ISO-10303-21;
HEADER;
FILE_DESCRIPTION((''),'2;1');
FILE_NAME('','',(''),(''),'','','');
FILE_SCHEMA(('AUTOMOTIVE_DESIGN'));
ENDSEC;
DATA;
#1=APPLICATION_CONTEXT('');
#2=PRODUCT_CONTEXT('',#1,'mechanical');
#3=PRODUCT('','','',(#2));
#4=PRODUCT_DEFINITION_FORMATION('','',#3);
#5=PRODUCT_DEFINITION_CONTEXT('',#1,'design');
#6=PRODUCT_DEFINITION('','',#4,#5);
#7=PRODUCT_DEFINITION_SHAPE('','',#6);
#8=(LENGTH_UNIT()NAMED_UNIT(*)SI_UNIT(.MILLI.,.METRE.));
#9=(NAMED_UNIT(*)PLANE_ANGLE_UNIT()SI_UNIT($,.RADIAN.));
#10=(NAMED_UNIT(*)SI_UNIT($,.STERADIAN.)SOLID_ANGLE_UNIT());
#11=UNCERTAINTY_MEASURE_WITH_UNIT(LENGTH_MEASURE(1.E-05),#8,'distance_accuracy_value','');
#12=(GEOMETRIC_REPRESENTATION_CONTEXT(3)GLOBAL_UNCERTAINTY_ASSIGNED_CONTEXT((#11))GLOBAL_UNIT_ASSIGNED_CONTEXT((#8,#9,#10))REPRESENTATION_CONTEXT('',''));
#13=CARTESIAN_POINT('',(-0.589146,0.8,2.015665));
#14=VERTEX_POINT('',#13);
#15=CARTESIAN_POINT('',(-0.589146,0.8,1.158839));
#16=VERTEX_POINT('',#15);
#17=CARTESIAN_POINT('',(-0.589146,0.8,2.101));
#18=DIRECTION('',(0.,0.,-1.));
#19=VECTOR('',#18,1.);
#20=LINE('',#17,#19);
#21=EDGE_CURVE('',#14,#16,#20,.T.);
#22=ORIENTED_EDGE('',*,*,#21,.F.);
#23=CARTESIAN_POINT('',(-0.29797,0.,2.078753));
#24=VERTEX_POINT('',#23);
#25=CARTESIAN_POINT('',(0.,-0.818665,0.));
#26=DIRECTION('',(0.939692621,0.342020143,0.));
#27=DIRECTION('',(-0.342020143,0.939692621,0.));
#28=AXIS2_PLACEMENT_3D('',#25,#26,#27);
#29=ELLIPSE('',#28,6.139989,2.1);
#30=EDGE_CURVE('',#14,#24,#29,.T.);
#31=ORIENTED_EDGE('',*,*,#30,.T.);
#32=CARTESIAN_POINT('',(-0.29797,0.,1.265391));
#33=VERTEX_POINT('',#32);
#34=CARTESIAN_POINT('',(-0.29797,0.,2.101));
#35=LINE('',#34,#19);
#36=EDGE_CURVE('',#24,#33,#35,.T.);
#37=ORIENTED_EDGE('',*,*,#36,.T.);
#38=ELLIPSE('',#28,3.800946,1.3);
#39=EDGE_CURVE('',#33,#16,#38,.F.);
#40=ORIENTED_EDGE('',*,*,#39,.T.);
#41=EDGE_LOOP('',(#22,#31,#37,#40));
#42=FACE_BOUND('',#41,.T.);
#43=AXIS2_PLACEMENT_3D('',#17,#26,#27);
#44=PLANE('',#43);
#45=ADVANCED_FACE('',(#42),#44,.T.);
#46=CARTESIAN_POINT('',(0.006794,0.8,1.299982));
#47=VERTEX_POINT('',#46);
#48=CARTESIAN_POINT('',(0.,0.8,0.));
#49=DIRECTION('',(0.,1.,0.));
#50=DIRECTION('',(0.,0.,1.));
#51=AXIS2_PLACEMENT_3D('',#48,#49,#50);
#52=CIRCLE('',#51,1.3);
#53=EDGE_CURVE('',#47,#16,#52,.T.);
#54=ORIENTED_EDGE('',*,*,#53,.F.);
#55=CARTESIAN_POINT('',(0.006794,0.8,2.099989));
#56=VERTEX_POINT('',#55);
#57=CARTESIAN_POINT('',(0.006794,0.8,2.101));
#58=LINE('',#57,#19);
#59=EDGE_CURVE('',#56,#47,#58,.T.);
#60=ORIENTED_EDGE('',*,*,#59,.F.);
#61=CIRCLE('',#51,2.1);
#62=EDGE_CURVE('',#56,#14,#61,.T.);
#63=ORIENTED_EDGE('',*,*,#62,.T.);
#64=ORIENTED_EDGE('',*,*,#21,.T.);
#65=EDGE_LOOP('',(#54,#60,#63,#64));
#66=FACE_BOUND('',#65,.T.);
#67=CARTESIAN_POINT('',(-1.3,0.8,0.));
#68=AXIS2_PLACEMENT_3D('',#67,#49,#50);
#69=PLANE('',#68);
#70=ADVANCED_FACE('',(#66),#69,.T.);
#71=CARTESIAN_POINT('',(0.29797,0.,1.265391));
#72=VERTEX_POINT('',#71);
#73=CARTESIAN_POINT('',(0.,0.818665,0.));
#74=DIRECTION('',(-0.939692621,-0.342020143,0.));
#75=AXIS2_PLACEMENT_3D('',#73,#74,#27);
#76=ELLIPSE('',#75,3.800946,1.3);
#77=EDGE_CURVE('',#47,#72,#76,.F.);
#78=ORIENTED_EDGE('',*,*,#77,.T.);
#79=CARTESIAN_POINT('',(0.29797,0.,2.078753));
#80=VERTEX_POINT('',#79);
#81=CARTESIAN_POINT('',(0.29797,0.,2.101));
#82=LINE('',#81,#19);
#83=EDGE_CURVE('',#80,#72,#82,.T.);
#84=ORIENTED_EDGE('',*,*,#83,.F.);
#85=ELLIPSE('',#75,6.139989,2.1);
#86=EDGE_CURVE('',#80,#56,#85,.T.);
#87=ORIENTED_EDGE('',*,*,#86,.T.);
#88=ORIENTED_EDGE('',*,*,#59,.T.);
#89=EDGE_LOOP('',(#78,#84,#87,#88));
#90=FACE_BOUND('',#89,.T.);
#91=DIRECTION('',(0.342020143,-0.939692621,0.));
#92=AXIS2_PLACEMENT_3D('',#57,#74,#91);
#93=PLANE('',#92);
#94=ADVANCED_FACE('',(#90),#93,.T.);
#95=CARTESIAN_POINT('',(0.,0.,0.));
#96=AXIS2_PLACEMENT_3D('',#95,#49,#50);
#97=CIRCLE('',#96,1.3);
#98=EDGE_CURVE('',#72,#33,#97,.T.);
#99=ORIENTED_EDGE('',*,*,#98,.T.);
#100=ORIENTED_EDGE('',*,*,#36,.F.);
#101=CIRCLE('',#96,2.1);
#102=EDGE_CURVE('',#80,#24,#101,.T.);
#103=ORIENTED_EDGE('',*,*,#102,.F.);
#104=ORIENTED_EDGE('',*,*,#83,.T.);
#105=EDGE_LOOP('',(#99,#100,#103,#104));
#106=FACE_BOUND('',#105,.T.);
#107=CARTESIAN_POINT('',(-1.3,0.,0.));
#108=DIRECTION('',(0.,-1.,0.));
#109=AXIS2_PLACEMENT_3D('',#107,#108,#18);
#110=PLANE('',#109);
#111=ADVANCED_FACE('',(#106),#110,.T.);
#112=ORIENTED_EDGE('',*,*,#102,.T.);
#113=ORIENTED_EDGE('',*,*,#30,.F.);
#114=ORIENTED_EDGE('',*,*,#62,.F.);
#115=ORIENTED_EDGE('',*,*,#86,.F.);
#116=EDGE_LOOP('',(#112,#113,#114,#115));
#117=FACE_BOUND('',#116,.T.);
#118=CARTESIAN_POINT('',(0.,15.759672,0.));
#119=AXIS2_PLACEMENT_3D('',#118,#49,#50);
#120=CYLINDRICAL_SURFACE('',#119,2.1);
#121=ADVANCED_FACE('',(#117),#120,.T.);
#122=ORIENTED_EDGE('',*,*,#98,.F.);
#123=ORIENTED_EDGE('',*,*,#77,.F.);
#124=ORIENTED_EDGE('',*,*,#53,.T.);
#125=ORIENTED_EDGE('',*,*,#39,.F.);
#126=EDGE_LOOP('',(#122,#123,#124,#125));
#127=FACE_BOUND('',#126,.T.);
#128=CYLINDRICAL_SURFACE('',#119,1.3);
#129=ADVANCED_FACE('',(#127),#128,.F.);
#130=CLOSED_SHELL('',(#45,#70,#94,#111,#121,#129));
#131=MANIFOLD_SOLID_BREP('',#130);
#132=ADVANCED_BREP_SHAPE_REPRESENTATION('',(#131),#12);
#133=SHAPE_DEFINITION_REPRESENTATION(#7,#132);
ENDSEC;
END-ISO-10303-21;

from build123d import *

# Parameters (mm, degrees)
SKE_W     = 0.8
SKE_H     = 0.8
CUT_REACH = 4.1


with BuildPart() as part:
    # Ske → Base (revolve)
    with BuildSketch(Plane.XY):
        with Locations((-1.7, 0.4)):
            Rectangle(SKE_W, SKE_H)
    revolve(axis=Axis((0, 15.759672306, 0), (0, -1, 0)))

    # Ske4 → Cut (cut, up to next)
    with BuildSketch(Plane.XY, mode=Mode.PRIVATE) as cut_sk1:
        Polygon((-0.297969776, 0), (0.297969776, 0), (0.006793589, 0.8), (-0.589145964, 0.8), align=None)
    cut_tool1 = extrude(cut_sk1.sketch, amount=CUT_REACH, mode=Mode.PRIVATE) & part.part
    add(cut_tool1.solids().sort_by_distance((-0.145588, 0.4, 0))[0], mode=Mode.SUBTRACT)


solid = part.part
